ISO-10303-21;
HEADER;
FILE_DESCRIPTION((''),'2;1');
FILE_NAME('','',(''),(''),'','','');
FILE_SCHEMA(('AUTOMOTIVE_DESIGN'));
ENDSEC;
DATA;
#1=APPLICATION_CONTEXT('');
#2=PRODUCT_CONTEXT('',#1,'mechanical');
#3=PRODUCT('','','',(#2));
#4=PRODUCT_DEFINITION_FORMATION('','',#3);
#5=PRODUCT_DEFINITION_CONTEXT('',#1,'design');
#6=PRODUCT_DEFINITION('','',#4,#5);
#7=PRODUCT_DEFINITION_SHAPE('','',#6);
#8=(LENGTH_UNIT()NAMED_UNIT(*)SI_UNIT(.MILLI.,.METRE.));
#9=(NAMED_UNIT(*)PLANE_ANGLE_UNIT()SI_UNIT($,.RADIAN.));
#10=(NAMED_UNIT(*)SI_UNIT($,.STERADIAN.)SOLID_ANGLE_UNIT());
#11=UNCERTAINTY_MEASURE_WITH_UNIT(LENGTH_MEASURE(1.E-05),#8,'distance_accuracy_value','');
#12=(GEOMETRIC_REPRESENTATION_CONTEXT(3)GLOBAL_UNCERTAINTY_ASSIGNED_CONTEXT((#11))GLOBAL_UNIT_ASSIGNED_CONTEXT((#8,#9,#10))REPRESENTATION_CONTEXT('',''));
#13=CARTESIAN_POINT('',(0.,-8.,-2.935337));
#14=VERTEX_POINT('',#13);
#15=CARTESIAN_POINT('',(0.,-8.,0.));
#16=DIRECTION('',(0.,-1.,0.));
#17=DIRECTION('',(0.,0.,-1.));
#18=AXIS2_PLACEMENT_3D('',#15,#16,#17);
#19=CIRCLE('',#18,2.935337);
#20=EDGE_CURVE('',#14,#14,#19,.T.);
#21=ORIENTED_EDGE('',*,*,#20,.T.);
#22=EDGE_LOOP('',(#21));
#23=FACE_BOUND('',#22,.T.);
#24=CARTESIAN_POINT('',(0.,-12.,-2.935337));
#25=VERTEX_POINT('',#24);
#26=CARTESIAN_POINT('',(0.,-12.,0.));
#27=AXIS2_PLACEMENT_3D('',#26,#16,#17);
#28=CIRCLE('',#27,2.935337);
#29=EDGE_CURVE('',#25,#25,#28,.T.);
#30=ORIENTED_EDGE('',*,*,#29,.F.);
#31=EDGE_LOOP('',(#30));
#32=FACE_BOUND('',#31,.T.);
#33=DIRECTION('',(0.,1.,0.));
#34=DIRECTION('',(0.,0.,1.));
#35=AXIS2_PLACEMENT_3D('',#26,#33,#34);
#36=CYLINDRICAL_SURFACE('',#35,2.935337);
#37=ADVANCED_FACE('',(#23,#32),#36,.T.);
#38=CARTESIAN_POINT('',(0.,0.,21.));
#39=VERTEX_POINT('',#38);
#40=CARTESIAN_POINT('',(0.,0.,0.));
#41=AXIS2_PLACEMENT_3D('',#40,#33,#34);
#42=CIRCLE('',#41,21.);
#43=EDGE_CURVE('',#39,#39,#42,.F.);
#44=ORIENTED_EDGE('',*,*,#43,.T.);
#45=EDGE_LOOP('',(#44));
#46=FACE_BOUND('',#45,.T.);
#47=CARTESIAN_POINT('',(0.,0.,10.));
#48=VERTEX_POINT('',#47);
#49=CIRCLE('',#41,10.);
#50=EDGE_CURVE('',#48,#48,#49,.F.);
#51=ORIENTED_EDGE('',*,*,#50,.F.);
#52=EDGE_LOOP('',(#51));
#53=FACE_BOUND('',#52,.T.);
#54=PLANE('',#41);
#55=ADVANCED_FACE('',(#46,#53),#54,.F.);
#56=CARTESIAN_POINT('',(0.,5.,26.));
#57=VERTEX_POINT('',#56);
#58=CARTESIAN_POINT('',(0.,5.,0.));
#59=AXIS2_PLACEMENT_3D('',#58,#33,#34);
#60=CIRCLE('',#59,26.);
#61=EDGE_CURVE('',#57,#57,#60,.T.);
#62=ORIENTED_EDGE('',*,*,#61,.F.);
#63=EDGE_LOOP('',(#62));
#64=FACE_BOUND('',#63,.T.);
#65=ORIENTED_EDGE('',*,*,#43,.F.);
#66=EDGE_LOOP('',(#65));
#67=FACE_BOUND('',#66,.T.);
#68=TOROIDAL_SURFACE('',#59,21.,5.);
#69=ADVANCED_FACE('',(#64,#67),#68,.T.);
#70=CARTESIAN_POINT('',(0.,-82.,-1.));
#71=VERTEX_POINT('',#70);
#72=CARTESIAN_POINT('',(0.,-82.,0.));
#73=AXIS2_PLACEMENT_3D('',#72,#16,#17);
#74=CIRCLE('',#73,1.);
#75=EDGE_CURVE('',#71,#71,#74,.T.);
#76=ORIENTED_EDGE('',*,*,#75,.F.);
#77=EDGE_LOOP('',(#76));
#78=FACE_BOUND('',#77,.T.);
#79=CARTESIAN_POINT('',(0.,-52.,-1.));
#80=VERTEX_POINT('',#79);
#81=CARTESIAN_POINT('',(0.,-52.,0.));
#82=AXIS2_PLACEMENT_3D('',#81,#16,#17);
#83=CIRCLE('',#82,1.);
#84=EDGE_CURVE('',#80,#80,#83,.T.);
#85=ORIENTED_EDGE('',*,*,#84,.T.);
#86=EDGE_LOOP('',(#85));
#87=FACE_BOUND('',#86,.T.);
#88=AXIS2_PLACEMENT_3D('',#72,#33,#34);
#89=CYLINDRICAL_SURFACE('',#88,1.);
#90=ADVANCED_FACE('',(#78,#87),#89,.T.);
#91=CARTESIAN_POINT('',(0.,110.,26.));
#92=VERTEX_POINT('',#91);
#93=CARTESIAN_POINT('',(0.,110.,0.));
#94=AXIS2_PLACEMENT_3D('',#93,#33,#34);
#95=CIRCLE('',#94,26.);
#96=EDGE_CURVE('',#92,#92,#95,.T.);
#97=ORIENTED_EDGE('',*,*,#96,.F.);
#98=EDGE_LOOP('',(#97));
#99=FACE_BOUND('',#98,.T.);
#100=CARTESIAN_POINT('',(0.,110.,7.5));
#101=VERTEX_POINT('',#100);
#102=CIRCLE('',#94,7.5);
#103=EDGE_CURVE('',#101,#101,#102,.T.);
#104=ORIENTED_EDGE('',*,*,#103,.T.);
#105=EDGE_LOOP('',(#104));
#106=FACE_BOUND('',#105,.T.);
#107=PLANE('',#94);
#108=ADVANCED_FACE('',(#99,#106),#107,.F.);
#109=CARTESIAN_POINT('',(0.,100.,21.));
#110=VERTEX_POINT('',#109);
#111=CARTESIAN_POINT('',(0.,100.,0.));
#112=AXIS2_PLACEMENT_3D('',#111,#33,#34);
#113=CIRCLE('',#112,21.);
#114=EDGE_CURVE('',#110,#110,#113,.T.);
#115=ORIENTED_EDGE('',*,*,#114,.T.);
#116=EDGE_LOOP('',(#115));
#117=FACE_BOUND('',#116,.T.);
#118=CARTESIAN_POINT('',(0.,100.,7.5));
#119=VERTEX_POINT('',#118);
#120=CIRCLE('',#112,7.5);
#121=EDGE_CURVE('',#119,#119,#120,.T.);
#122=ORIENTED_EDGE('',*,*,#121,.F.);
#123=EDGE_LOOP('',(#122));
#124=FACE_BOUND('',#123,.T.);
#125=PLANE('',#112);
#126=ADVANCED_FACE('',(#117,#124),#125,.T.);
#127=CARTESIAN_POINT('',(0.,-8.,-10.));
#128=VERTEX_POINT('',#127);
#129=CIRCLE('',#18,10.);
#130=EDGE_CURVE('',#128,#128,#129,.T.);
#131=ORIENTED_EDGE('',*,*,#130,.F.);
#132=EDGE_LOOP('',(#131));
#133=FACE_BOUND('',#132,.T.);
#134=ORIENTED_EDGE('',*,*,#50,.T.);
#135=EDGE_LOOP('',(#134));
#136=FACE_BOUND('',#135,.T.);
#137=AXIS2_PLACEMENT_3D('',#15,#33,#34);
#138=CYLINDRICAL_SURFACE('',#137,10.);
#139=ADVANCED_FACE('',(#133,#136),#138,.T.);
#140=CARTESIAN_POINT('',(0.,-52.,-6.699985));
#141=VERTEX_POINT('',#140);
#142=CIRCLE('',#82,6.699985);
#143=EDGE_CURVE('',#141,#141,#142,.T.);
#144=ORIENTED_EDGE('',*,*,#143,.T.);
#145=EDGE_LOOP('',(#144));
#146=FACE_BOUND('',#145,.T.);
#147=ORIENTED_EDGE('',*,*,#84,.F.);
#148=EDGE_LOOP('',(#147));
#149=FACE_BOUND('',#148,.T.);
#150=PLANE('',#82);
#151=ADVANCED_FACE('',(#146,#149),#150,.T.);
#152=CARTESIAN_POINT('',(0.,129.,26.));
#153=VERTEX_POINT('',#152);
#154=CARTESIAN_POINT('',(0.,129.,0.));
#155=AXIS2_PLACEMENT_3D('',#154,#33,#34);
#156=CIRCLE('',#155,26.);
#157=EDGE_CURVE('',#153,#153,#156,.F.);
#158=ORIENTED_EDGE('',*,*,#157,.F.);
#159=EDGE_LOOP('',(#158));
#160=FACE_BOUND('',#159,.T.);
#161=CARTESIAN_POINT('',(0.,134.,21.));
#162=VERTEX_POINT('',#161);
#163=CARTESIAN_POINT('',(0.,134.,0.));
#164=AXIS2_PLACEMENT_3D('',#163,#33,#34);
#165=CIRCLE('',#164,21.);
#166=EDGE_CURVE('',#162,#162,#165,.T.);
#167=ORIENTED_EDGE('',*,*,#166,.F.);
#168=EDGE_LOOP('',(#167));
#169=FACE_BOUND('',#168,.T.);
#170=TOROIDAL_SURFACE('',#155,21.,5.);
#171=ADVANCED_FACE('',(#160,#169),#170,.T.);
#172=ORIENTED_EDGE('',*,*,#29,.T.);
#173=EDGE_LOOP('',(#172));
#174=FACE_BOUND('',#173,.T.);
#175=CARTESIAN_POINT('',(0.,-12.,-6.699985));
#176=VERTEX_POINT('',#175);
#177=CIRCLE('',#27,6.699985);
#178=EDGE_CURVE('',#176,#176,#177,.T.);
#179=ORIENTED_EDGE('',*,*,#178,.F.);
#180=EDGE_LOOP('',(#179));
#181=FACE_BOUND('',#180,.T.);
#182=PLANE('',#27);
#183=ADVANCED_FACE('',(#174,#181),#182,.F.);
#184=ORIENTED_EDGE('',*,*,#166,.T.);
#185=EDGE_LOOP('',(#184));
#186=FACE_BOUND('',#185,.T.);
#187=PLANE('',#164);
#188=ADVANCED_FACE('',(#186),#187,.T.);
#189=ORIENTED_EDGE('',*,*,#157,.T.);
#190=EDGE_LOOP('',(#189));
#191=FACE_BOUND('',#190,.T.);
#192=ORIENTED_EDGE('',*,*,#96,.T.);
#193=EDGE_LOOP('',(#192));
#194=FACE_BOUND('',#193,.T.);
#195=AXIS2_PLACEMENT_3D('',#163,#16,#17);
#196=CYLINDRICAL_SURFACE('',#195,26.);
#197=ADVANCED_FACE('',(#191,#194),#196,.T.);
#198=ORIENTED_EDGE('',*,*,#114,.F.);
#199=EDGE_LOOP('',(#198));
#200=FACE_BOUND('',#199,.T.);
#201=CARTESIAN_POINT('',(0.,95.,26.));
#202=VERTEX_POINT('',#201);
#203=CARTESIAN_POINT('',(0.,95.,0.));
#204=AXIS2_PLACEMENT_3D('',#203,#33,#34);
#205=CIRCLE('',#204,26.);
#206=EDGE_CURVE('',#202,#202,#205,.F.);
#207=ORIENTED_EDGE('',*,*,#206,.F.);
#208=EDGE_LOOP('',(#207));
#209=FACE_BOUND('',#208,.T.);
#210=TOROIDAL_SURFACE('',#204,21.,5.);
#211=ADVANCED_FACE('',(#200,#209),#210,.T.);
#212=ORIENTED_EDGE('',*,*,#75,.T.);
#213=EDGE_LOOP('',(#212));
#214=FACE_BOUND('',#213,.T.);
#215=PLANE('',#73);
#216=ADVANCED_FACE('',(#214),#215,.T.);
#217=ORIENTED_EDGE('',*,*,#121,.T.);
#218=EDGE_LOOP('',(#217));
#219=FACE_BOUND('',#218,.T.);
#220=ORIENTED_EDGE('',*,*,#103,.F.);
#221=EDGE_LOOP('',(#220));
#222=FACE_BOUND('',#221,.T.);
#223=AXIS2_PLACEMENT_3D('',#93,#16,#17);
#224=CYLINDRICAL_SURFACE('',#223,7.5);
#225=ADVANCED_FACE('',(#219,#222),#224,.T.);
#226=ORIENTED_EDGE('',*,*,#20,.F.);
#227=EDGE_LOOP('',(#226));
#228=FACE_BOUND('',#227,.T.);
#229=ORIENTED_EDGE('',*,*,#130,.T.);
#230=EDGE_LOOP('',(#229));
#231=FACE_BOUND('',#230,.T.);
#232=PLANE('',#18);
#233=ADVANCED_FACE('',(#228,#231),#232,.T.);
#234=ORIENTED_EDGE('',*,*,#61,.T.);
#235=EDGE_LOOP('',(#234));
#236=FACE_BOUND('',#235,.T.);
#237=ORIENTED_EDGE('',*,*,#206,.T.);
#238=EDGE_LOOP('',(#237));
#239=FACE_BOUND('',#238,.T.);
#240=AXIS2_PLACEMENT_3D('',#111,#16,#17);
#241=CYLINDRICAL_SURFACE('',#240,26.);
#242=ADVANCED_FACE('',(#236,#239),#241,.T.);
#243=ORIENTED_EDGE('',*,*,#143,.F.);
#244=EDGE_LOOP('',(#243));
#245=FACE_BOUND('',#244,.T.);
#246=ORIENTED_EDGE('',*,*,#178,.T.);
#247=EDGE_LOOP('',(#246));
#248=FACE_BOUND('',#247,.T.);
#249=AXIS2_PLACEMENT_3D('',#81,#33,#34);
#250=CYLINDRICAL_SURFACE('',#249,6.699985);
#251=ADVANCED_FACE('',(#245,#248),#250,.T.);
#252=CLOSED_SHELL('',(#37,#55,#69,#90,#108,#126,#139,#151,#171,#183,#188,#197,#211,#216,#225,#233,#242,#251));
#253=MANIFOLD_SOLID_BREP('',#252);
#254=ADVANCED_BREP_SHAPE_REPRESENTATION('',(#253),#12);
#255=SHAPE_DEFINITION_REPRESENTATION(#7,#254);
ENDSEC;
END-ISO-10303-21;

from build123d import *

# Parameters (mm, degrees)
SKETCH1_R           = 26
BOSS_EXTRUDE2_DEPTH = 100
SKETCH2_R           = 7.5
BOSS_EXTRUDE4_DEPTH = 10
SKETCH3_R           = 26
BOSS_EXTRUDE5_DEPTH = 24
FILLET1_R           = 5
FILLET2_R           = 5
FILLET3_R           = 5
SKETCH4_R           = 10
BOSS_EXTRUDE6_DEPTH = 8
SKETCH5_R           = 2.935336569
BOSS_EXTRUDE7_DEPTH = 4
SKETCH6_R           = 6.699984979
BOSS_EXTRUDE8_DEPTH = 40
SKETCH7_R           = 1
BOSS_EXTRUDE9_DEPTH = 30


with BuildPart() as part:
    # Sketch1 → Boss-Extrude2 (new body)
    with BuildSketch(Plane(origin=(0, 0, 0), x_dir=(1, 0, 0), z_dir=(0, 1, 0))):
        with Locations(Location((0, 0, 0), (0, 0, 270))):
            Circle(SKETCH1_R)
    extrude(amount=BOSS_EXTRUDE2_DEPTH)

    # Sketch2 → Boss-Extrude4 (add)
    with BuildSketch(Plane(origin=(0, 100, 0), x_dir=(1, 0, 0), z_dir=(0, 1, 0))):
        with Locations(Location((0, 0, 0), (0, 0, 270))):
            Circle(SKETCH2_R)
    extrude(amount=BOSS_EXTRUDE4_DEPTH)

    # Sketch3 → Boss-Extrude5 (add)
    with BuildSketch(Plane(origin=(0, 110, 0), x_dir=(1, 0, 0), z_dir=(0, 1, 0))):
        with Locations(Location((0, 0, 0), (0, 0, 270))):
            Circle(SKETCH3_R)
    extrude(amount=BOSS_EXTRUDE5_DEPTH)

    # Fillet1
    fillet1_edges = [part.edges().sort_by_distance(p)[0] for p in [
        (0, 0, -26),
    ]]
    fillet(fillet1_edges, radius=FILLET1_R)

    # Fillet2
    fillet2_edges = [part.edges().sort_by_distance(p)[0] for p in [
        (0, 100, -26),
    ]]
    fillet(fillet2_edges, radius=FILLET2_R)

    # Fillet3
    fillet3_edges = [part.edges().sort_by_distance(p)[0] for p in [
        (0, 134, -26),
    ]]
    fillet(fillet3_edges, radius=FILLET3_R)

    # Sketch4 → Boss-Extrude6 (add)
    with BuildSketch(Plane.XZ):
        with Locations(Location((0, 0, 0), (0, 0, 90))):
            Circle(SKETCH4_R)
    extrude(amount=BOSS_EXTRUDE6_DEPTH)

    # Sketch5 → Boss-Extrude7 (add)
    with BuildSketch(Plane.XZ.offset(8)):
        with Locations(Location((0, 0, 0), (0, 0, 270))):
            Circle(SKETCH5_R)
    extrude(amount=BOSS_EXTRUDE7_DEPTH)

    # Sketch6 → Boss-Extrude8 (add)
    with BuildSketch(Plane.XZ.offset(12)):
        with Locations(Location((0, 0, 0), (0, 0, 270))):
            Circle(SKETCH6_R)
    extrude(amount=BOSS_EXTRUDE8_DEPTH)

    # Sketch7 → Boss-Extrude9 (add)
    with BuildSketch(Plane.XZ.offset(52)):
        with Locations(Location((0, 0, 0), (0, 0, 270))):
            Circle(SKETCH7_R)
    extrude(amount=BOSS_EXTRUDE9_DEPTH)


solid = part.part
